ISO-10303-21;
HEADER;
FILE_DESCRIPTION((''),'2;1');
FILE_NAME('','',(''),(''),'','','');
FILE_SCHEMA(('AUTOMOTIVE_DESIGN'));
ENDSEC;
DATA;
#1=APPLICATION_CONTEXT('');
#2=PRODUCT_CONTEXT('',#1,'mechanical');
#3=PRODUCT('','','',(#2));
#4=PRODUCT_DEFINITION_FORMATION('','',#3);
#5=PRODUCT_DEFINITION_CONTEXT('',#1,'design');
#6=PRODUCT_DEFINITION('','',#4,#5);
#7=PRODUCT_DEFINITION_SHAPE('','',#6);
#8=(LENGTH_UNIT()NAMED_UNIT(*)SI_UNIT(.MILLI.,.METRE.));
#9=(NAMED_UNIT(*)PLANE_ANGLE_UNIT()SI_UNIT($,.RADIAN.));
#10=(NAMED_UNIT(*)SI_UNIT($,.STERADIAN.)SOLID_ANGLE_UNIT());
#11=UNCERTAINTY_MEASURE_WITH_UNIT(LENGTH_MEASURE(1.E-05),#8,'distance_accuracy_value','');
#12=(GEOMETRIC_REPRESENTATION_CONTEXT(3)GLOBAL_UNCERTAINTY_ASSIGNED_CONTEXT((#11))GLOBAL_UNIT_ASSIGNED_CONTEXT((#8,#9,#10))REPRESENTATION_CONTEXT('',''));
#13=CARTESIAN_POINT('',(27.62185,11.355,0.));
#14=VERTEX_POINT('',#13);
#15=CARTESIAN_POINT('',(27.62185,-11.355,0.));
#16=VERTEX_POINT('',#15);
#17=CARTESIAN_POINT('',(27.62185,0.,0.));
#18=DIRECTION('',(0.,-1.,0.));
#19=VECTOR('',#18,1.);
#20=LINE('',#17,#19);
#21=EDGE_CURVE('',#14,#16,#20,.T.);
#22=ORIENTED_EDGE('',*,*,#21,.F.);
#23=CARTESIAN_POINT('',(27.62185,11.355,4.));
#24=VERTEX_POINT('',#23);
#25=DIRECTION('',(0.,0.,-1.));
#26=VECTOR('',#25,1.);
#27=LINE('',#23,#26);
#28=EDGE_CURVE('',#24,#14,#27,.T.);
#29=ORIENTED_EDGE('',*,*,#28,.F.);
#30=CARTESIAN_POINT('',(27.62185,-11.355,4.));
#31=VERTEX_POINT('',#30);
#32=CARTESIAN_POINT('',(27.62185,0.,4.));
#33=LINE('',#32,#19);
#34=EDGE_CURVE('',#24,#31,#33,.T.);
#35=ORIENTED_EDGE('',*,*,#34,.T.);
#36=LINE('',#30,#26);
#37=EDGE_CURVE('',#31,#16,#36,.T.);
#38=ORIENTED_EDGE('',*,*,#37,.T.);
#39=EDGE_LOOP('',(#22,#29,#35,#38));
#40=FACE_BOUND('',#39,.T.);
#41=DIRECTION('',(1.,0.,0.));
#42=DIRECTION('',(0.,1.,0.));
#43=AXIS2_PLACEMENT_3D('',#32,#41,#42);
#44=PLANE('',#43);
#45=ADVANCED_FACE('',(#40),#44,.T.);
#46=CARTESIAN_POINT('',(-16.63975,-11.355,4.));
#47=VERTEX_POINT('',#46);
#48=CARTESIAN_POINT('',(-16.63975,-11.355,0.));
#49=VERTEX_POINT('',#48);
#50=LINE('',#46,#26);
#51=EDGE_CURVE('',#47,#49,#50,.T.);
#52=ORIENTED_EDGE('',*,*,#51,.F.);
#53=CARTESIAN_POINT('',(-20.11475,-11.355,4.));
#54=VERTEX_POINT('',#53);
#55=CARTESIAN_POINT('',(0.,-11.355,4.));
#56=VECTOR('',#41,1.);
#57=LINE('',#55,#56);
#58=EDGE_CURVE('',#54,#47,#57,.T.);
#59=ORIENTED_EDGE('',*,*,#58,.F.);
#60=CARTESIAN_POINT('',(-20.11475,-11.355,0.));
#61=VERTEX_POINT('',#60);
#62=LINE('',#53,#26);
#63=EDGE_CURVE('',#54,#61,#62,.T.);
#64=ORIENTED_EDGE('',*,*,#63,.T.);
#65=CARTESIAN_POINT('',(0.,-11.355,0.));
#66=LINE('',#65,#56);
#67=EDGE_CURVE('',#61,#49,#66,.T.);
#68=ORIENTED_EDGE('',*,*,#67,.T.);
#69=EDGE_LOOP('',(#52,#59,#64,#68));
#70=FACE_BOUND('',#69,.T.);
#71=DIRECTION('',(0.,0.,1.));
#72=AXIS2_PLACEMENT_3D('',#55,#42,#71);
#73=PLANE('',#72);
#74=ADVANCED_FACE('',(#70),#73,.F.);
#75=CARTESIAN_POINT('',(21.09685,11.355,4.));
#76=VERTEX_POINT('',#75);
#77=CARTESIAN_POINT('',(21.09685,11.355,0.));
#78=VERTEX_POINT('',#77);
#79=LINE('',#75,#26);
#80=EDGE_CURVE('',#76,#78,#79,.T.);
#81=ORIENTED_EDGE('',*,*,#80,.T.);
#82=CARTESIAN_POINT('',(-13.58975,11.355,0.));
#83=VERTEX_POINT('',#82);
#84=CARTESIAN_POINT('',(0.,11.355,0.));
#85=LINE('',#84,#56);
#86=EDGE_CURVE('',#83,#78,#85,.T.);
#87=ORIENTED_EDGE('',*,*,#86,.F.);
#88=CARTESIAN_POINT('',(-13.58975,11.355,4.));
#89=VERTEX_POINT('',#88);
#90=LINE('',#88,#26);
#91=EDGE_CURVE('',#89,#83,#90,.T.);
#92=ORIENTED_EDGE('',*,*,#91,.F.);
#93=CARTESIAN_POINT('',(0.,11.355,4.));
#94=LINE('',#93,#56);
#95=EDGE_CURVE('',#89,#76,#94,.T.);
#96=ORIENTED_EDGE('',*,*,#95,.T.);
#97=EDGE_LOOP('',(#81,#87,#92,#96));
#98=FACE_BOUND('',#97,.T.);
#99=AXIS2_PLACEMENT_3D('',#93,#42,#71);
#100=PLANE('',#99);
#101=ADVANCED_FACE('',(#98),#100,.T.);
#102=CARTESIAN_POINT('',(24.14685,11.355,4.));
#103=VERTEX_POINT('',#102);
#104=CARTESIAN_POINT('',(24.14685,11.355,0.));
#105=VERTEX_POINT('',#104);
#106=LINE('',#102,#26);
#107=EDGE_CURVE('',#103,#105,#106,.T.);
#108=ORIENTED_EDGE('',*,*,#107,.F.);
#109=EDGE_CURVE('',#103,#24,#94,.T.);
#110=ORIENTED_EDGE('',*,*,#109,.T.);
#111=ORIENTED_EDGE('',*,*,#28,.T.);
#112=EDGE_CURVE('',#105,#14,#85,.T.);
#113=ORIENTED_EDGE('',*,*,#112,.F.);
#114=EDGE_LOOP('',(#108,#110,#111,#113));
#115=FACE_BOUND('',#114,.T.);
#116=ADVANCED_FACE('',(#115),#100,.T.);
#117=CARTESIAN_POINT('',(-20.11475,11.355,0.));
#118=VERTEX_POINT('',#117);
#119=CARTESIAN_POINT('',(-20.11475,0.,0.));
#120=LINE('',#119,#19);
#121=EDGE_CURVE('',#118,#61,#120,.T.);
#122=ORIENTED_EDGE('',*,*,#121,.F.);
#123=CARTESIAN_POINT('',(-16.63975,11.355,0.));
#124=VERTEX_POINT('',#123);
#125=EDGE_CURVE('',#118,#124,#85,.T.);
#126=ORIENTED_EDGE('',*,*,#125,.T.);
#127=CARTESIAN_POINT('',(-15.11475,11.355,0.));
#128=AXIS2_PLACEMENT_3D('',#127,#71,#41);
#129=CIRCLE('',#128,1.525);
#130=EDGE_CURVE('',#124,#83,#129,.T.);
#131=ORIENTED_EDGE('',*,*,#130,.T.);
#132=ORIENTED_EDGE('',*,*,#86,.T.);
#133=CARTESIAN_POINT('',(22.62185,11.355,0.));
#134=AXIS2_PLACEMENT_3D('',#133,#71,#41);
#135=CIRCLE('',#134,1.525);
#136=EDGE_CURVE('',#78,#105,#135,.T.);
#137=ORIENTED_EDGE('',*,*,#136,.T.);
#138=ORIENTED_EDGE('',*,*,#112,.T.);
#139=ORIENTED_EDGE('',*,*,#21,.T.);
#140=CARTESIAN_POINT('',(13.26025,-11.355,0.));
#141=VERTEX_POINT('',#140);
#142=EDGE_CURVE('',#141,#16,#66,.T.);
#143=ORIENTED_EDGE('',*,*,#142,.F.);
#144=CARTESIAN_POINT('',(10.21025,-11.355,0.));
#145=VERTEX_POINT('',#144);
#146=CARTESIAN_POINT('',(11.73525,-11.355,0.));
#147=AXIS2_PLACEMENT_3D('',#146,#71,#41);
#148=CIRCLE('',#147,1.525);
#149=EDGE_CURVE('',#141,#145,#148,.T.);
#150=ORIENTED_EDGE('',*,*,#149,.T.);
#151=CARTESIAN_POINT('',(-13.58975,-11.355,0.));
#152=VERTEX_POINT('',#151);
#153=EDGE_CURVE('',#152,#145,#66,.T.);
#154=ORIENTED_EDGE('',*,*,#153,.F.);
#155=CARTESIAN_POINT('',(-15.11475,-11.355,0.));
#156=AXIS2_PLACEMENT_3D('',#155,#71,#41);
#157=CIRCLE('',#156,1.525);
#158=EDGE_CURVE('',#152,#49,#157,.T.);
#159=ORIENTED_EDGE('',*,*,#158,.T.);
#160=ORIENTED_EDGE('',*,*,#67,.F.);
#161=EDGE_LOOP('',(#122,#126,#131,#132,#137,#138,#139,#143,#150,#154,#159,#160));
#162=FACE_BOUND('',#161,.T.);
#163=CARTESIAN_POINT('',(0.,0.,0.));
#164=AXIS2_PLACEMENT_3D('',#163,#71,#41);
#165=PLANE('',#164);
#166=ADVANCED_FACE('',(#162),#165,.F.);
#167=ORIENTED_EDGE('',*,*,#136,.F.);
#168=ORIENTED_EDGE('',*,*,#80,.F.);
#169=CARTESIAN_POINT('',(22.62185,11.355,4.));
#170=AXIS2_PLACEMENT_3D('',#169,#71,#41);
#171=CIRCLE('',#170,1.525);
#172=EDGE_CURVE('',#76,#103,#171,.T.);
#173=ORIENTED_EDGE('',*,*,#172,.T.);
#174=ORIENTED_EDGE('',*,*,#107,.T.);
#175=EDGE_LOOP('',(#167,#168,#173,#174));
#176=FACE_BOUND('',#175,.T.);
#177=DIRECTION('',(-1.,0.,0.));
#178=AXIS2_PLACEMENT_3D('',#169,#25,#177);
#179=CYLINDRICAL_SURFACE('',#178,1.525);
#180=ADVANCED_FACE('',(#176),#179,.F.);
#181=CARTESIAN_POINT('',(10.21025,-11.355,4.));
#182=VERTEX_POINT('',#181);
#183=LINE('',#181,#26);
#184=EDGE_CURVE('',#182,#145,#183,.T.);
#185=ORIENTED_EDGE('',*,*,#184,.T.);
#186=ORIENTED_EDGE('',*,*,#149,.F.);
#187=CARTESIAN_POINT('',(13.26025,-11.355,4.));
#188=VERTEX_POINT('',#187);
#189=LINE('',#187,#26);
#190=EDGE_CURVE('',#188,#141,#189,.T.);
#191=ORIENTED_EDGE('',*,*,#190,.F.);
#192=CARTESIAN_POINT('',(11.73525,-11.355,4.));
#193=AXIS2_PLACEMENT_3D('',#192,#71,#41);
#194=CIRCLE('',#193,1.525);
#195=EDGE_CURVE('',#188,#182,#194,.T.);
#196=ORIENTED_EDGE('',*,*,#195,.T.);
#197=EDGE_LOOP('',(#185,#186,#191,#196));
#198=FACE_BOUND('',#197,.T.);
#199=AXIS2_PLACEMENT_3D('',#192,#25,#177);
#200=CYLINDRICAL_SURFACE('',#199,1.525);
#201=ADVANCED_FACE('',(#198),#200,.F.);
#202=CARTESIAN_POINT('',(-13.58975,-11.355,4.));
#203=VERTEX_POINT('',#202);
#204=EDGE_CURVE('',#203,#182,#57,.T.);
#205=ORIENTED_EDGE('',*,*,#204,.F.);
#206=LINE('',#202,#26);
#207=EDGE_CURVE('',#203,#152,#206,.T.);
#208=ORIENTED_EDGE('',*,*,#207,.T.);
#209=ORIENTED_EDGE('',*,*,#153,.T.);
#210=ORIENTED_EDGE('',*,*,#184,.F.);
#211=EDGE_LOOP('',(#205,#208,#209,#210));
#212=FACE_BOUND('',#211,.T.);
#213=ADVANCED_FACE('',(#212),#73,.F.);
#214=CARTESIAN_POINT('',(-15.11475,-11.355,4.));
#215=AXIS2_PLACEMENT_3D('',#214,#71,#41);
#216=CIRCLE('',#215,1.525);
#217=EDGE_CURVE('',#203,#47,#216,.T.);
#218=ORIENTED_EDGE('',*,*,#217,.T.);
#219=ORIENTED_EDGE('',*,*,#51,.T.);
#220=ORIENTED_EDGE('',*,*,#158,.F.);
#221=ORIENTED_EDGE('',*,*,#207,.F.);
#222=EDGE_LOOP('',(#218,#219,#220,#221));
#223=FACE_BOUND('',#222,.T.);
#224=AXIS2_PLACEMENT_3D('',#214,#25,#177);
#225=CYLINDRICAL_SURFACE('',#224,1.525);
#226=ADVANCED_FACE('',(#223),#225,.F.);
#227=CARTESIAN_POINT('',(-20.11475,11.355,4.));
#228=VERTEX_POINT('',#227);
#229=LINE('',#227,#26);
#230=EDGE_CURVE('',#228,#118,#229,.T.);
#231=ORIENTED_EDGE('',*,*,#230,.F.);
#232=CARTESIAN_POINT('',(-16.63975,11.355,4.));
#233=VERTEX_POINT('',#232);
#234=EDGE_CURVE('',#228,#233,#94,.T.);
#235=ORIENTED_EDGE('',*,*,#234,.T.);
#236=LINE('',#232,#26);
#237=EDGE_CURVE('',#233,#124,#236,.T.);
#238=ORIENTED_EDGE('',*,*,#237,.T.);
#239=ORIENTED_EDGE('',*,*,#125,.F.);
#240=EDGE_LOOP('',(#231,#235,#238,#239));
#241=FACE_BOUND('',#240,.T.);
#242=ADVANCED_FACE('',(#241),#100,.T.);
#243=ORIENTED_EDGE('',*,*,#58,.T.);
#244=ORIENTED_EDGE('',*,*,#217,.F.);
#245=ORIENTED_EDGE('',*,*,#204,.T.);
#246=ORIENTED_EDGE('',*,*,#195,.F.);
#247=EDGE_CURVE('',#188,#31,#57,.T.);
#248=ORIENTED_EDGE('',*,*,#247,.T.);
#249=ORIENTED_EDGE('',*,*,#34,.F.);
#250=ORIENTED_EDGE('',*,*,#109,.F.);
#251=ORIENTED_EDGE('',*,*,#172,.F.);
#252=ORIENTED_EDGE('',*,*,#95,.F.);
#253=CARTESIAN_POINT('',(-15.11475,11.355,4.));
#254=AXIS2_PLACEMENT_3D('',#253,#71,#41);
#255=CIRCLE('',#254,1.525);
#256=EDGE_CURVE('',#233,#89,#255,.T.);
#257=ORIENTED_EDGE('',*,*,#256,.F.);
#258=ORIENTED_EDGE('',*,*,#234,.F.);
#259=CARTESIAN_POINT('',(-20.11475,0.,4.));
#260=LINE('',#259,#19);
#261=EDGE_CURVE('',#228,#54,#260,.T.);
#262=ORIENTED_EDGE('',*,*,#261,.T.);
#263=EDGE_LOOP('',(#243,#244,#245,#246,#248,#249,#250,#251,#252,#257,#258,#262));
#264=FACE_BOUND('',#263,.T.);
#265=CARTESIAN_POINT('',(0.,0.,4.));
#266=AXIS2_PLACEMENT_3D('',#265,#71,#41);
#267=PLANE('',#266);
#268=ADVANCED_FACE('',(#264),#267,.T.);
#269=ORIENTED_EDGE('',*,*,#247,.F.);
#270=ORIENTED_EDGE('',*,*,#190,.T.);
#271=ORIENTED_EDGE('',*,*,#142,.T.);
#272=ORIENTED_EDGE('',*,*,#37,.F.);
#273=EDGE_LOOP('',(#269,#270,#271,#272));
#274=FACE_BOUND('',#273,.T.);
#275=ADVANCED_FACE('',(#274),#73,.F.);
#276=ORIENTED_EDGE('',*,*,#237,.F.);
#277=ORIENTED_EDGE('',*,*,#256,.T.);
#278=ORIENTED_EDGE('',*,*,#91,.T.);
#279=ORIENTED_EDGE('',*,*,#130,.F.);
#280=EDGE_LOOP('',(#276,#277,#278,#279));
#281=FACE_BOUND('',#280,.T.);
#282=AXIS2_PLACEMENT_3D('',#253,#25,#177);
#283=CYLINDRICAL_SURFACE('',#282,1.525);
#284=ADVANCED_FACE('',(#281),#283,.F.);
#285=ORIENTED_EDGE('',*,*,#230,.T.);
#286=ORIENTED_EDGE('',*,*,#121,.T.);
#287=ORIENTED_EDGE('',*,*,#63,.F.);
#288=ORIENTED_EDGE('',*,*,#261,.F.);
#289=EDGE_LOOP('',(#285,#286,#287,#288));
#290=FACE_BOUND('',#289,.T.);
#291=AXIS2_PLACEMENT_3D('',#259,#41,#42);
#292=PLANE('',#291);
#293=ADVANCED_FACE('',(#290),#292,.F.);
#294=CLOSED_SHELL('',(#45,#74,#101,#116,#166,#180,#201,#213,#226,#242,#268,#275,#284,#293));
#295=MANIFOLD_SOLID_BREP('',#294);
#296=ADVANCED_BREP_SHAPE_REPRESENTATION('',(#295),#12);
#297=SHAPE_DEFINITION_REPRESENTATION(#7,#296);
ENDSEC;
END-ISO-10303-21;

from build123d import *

# Parameters (mm, degrees)
EXTRUDE_1_DEPTH = 4


with BuildPart() as part:
    # 草图1 → 凸台-拉伸1 (new body)
    with BuildSketch(Plane.XY):
        with BuildLine():
            Line((27.621850365, 11.355), (24.146850365, 11.355))
            ThreePointArc((24.146850365, 11.355), (22.621850365, 9.83), (21.096850365, 11.355))
            Line((21.096850365, 11.355), (-13.589749635, 11.355))
            ThreePointArc((-13.589749635, 11.355), (-15.114749635, 9.83), (-16.639749635, 11.355))
            Line((-16.639749635, 11.355), (-20.114749635, 11.355))
            Line((-20.114749635, 11.355), (-20.114749635, -11.355))
            Line((-20.114749635, -11.355), (-16.639749635, -11.355))
            ThreePointArc((-16.639749635, -11.355), (-15.114749635, -9.83), (-13.589749635, -11.355))
            Line((-13.589749635, -11.355), (10.210250365, -11.355))
            ThreePointArc((10.210250365, -11.355), (11.735250365, -9.83), (13.260250365, -11.355))
            Line((13.260250365, -11.355), (27.621850365, -11.355))
            Line((27.621850365, -11.355), (27.621850365, 11.355))
        make_face()
    extrude(amount=EXTRUDE_1_DEPTH)


solid = part.part
